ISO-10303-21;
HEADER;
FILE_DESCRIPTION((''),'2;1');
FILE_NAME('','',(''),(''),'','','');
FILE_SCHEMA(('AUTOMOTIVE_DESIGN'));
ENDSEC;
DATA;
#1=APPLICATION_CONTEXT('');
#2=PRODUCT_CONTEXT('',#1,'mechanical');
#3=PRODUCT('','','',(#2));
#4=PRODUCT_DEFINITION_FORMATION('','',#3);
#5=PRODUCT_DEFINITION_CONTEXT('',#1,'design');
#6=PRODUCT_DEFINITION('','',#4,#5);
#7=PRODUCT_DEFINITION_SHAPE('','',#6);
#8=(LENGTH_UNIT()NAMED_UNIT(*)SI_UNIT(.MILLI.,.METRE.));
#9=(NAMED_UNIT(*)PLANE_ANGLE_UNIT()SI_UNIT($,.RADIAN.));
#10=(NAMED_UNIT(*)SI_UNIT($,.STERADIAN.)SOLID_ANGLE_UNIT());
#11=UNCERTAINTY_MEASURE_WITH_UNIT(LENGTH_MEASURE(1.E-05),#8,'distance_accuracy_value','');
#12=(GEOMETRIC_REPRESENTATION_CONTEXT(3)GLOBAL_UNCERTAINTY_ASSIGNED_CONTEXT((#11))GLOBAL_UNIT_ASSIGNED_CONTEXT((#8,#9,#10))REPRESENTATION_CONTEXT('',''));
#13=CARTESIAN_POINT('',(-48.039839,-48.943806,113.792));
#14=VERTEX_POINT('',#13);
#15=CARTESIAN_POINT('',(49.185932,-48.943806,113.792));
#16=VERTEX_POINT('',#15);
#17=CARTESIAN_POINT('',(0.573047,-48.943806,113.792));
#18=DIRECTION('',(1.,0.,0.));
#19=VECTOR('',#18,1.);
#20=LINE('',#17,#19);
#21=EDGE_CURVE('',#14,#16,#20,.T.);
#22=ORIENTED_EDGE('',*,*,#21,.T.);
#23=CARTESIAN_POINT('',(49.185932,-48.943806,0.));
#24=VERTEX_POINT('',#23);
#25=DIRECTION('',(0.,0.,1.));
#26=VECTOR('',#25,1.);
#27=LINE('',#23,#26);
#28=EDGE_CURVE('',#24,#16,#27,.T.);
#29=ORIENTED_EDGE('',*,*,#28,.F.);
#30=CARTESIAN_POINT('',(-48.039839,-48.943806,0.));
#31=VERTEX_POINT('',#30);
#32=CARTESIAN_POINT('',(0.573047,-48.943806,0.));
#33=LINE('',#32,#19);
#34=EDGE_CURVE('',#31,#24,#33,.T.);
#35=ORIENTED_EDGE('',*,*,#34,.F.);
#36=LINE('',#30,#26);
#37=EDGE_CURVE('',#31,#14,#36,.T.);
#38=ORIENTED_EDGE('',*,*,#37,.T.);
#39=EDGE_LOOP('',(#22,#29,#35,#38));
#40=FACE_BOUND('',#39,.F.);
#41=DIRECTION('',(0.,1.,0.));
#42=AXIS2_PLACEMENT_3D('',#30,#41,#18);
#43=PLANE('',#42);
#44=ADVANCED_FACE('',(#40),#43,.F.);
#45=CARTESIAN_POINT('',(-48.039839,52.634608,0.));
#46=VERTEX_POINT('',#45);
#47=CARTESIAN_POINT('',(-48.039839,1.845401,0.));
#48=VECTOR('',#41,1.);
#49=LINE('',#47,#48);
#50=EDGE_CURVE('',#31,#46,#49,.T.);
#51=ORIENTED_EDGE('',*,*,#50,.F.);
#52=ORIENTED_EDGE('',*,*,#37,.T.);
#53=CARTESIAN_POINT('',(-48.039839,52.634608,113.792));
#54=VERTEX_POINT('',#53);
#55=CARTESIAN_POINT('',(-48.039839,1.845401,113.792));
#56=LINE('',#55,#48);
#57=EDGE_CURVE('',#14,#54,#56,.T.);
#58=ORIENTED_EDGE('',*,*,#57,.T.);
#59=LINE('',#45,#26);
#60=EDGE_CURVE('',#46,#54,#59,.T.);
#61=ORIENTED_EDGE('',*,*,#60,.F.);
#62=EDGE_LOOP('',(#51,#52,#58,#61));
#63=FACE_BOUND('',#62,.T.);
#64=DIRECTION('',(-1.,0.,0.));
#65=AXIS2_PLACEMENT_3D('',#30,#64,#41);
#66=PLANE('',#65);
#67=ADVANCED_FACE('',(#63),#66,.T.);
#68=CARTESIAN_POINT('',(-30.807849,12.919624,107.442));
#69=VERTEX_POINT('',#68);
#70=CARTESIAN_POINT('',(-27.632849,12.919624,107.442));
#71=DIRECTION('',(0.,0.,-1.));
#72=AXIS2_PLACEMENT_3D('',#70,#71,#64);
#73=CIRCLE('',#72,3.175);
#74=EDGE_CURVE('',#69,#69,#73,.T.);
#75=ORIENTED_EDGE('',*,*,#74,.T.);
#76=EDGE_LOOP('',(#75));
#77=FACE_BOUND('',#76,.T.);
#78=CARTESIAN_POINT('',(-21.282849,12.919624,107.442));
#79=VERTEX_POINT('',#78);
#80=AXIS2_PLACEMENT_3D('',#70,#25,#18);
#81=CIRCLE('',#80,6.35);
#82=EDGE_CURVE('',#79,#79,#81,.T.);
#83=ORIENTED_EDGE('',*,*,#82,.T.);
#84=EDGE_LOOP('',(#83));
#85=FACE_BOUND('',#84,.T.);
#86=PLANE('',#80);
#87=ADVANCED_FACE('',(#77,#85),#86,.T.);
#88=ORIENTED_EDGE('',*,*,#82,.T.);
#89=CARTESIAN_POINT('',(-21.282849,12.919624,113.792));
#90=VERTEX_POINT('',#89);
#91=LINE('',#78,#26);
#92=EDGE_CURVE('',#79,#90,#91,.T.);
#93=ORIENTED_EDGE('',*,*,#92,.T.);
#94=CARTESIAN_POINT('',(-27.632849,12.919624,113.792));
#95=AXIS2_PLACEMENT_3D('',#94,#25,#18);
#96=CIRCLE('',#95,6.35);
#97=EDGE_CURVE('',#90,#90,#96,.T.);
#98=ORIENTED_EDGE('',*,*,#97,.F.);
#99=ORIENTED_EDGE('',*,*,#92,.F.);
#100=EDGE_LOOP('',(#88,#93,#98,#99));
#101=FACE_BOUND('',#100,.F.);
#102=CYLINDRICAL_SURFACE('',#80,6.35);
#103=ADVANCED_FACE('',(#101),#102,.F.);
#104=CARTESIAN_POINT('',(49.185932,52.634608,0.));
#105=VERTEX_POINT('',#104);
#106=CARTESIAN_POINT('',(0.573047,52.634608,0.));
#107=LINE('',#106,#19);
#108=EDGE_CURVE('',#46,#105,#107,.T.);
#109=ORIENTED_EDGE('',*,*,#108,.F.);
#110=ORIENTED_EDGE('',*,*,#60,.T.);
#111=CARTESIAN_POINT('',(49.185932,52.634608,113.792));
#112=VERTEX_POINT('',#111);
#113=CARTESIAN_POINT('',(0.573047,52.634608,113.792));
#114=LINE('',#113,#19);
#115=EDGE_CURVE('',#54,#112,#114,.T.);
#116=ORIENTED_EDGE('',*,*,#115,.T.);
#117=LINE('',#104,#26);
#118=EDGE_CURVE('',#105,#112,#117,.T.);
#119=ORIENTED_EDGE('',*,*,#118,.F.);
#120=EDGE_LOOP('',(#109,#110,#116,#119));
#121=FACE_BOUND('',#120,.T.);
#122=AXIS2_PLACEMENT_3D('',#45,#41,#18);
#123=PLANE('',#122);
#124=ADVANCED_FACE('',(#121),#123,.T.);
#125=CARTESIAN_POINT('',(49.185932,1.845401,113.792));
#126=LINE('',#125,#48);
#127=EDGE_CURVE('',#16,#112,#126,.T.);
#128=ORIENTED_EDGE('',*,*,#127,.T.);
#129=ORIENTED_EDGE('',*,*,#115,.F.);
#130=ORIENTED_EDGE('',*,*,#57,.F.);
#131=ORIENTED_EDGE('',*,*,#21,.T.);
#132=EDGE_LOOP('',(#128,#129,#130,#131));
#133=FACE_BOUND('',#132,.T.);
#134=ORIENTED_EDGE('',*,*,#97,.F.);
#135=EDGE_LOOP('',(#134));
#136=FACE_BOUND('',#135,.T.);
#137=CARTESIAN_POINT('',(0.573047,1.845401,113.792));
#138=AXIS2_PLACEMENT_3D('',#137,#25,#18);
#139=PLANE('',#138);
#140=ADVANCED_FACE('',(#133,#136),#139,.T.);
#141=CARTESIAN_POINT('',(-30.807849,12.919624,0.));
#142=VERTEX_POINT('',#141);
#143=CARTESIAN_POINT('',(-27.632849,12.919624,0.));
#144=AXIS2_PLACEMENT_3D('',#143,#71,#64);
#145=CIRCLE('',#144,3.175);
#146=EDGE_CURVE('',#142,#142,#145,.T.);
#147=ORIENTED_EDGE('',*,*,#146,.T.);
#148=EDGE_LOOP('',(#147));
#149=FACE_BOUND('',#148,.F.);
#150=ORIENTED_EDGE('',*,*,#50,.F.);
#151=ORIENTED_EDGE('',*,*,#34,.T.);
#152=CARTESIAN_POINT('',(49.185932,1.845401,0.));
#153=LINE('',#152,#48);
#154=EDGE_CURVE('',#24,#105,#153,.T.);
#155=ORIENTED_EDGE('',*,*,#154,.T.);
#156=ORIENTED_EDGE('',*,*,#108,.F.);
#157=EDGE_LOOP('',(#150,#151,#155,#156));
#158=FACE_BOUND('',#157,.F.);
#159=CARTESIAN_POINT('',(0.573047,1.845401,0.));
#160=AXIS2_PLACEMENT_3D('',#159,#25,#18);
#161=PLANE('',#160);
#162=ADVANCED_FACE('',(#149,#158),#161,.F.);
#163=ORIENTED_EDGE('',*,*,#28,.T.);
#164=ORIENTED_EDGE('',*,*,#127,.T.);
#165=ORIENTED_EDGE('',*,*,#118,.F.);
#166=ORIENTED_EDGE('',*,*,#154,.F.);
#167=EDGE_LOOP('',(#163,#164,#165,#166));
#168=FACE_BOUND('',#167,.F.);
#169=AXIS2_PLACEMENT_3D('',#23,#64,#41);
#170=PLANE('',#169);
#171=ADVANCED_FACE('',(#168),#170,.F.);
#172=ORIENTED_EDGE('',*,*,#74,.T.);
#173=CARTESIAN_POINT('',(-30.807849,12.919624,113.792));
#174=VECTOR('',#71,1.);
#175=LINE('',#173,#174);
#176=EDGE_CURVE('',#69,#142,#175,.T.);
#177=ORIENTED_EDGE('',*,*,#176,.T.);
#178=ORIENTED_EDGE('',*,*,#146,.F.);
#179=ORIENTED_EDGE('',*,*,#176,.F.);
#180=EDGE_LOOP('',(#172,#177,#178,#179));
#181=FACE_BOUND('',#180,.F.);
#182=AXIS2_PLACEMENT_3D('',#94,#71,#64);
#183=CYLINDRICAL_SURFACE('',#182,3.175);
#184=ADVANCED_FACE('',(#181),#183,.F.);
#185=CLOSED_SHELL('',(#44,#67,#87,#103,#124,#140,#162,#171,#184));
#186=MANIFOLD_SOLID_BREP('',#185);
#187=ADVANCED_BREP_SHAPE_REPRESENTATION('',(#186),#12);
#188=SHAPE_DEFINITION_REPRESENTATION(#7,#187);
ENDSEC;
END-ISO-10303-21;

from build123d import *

# Parameters (mm, degrees)
F0_W           = 97.225771
F0_H           = 101.578414
F1_DEPTH       = 113.792
F3_D           = 6.35
F3_CBORE_D     = 12.7
F3_CBORE_DEPTH = 6.35


with BuildPart() as f1:
    # F0 (on Top) → F1 (new body)
    with BuildSketch(Plane.XY):
        with Locations((0.573047, 1.845401)):
            Rectangle(F0_W, F0_H)
    extrude(amount=F1_DEPTH)

    # F3 (through all)
    with Locations(Plane.XY.offset(113.792)):
        with Locations((-27.632849, 12.919624)):
            CounterBoreHole(F3_D / 2, F3_CBORE_D / 2, F3_CBORE_DEPTH)


solid = f1.part
